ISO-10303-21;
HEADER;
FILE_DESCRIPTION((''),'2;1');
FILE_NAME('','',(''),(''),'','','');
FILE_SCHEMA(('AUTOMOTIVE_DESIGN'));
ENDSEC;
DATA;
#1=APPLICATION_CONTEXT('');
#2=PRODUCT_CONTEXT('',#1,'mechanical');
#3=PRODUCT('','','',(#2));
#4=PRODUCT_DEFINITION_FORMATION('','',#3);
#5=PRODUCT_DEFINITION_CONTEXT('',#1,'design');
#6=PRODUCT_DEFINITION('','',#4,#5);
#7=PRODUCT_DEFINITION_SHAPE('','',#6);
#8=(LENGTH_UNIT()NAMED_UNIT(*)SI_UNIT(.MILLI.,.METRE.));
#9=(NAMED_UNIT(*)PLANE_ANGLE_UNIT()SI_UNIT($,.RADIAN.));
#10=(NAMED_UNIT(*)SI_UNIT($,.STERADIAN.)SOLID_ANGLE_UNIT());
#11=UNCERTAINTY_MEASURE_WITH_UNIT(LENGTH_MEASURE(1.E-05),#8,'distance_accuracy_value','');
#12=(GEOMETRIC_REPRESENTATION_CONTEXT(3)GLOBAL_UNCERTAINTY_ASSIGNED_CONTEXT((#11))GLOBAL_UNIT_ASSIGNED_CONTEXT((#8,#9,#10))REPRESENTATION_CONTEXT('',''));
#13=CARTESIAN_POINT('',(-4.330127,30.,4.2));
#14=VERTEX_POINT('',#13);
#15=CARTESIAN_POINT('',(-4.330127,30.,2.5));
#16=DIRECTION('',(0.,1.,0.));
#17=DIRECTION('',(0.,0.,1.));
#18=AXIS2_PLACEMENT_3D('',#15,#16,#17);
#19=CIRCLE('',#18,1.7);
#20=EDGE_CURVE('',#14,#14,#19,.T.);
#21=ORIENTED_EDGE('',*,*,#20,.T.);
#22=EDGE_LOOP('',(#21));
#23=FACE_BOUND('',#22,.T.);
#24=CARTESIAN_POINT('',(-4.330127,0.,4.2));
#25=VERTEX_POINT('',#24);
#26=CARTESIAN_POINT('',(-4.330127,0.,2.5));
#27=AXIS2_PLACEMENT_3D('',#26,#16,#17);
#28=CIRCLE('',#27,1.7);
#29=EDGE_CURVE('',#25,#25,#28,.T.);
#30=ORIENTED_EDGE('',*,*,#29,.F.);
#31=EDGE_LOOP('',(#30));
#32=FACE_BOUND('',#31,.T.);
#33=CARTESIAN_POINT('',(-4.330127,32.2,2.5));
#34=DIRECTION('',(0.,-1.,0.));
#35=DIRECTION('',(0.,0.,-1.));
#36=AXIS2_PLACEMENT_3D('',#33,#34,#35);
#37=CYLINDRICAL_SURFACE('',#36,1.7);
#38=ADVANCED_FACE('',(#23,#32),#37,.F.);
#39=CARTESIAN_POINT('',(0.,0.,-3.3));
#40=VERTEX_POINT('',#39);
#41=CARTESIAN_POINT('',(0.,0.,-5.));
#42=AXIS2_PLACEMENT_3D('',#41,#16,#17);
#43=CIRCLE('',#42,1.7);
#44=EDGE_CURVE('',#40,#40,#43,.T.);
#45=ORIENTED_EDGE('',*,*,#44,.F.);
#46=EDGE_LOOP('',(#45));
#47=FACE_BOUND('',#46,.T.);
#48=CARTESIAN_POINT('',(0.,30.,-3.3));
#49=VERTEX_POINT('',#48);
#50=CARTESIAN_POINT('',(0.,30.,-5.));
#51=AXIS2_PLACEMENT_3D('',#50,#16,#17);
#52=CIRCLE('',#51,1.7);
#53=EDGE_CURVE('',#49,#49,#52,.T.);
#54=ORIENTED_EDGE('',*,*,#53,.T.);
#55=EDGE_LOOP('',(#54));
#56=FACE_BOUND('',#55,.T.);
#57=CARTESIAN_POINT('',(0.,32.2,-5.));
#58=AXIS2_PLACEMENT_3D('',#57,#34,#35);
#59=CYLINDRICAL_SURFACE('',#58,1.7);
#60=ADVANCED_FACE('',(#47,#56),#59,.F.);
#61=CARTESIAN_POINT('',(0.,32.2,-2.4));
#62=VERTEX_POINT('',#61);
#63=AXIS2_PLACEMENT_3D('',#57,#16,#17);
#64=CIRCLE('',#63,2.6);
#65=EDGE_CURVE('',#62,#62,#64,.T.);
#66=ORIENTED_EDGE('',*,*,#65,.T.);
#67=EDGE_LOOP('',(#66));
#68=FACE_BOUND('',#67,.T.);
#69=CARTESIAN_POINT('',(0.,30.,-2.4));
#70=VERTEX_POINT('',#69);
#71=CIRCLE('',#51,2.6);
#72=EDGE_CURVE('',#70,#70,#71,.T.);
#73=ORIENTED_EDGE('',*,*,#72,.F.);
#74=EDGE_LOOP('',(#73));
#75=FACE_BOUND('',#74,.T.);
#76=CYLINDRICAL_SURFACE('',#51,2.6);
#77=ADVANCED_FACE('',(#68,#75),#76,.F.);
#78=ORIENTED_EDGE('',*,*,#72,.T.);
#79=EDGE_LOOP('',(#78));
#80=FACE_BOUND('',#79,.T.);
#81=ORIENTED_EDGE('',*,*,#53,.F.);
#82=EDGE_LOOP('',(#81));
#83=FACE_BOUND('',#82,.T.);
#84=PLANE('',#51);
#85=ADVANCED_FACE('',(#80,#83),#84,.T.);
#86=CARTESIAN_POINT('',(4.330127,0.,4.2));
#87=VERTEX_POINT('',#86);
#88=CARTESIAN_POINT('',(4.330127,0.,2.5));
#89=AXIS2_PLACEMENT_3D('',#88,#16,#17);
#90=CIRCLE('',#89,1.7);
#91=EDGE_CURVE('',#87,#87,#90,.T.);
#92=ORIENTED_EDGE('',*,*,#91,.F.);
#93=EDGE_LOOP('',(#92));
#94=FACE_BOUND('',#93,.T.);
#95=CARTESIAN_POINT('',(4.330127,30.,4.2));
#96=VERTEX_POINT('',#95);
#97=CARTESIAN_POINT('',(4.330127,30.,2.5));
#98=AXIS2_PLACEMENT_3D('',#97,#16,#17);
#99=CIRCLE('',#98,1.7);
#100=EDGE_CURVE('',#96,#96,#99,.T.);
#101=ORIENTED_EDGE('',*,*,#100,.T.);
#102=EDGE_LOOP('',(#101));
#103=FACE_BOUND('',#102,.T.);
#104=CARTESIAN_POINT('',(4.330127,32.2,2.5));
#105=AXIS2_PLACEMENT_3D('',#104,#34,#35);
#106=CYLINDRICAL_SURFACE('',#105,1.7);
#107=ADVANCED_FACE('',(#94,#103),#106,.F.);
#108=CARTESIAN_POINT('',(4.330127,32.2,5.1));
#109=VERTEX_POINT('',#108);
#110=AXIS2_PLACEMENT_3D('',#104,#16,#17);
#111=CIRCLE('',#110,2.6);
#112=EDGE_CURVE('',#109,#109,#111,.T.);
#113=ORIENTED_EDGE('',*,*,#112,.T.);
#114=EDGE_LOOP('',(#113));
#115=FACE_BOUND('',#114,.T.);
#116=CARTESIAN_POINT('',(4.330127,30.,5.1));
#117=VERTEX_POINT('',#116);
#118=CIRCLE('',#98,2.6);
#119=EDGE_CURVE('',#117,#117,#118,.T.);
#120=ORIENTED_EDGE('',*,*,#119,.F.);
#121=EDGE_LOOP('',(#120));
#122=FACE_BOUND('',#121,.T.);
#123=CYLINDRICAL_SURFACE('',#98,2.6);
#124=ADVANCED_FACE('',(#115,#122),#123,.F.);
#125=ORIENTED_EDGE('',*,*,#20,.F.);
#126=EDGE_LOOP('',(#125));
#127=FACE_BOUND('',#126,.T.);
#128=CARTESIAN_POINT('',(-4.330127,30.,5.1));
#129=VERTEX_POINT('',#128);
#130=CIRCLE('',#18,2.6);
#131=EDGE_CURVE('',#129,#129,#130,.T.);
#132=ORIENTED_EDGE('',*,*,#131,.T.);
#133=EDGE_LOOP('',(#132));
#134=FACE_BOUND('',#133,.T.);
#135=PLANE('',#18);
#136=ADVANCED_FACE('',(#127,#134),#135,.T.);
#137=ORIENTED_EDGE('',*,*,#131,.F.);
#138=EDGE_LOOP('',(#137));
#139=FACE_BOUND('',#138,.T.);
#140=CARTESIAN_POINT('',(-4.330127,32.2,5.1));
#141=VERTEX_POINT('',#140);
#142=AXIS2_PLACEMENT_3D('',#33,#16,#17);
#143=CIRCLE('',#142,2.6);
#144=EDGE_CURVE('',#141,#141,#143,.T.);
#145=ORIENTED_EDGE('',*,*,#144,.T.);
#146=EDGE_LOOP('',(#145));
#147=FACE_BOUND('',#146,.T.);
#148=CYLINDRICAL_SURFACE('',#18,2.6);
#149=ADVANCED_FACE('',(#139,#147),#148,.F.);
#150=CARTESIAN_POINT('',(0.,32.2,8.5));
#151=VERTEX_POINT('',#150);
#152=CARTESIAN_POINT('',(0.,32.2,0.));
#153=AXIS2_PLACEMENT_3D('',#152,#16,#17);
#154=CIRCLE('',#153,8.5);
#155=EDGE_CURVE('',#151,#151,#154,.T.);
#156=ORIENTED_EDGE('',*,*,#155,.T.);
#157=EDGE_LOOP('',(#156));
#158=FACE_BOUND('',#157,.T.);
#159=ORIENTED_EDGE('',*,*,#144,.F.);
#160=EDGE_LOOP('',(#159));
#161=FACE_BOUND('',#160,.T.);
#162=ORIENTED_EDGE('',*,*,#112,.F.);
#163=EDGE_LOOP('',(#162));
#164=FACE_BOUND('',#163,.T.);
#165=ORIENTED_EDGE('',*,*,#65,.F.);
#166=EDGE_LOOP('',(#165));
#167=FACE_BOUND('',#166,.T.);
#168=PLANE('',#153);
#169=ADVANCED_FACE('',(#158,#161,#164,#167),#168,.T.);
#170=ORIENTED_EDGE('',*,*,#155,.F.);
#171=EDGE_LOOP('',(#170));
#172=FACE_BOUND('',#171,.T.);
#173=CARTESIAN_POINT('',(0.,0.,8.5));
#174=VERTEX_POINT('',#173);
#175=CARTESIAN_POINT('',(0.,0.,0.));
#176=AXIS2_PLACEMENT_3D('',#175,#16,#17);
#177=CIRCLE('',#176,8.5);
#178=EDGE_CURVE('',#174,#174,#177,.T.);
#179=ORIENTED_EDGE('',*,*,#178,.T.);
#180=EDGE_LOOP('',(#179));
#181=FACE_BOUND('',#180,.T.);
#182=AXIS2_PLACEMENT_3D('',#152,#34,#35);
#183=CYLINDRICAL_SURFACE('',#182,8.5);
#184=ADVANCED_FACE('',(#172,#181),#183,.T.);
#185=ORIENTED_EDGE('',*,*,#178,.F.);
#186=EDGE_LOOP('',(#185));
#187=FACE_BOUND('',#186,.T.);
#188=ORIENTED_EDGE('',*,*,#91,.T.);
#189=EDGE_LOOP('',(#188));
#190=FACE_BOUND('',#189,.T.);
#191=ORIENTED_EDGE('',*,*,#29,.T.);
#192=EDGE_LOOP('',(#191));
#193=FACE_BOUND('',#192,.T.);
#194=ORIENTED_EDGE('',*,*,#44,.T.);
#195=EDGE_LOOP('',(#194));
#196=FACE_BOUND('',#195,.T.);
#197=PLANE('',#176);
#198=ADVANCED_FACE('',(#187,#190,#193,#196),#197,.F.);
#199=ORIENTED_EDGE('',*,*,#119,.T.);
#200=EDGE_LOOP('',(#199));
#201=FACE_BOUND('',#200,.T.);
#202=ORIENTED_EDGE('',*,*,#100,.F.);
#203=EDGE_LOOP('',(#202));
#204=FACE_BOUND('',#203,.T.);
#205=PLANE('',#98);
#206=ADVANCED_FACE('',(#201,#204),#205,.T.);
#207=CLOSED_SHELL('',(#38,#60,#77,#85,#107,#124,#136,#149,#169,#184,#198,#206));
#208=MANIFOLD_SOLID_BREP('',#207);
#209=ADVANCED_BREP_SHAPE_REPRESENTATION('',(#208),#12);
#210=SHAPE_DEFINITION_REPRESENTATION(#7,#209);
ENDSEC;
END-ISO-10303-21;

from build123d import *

# Parameters (mm, degrees)
SKETCH1_R           = 8.5
SKETCH1_R_2         = 1.7
BOSS_EXTRUDE1_DEPTH = 32.2
SKETCH2_R           = 2.6
CUT_EXTRUDE1_DEPTH  = 2.2


with BuildPart() as part:
    # Sketch1 → Boss-Extrude1 (new body)
    with BuildSketch(Plane(origin=(0, 0, 0), x_dir=(1, 0, 0), z_dir=(0, 1, 0))):
        Circle(SKETCH1_R)
        with Locations((0, 5)):
            Circle(SKETCH1_R_2, mode=Mode.SUBTRACT)
        with Locations((4.330127019, -2.5)):
            Circle(SKETCH1_R_2, mode=Mode.SUBTRACT)
        with Locations((-4.330127019, -2.5)):
            Circle(SKETCH1_R_2, mode=Mode.SUBTRACT)
    extrude(amount=BOSS_EXTRUDE1_DEPTH)

    # Sketch2 → Cut-Extrude1 (cut)
    with BuildSketch(Plane(origin=(0, 32.2, 0), x_dir=(1, 0, 0), z_dir=(0, 1, 0))):
        with Locations((0, 5)):
            Circle(SKETCH2_R)
        with Locations((4.330127019, -2.5)):
            Circle(SKETCH2_R)
        with Locations((-4.330127019, -2.5)):
            Circle(SKETCH2_R)
    extrude(amount=-CUT_EXTRUDE1_DEPTH, mode=Mode.SUBTRACT)


solid = part.part
